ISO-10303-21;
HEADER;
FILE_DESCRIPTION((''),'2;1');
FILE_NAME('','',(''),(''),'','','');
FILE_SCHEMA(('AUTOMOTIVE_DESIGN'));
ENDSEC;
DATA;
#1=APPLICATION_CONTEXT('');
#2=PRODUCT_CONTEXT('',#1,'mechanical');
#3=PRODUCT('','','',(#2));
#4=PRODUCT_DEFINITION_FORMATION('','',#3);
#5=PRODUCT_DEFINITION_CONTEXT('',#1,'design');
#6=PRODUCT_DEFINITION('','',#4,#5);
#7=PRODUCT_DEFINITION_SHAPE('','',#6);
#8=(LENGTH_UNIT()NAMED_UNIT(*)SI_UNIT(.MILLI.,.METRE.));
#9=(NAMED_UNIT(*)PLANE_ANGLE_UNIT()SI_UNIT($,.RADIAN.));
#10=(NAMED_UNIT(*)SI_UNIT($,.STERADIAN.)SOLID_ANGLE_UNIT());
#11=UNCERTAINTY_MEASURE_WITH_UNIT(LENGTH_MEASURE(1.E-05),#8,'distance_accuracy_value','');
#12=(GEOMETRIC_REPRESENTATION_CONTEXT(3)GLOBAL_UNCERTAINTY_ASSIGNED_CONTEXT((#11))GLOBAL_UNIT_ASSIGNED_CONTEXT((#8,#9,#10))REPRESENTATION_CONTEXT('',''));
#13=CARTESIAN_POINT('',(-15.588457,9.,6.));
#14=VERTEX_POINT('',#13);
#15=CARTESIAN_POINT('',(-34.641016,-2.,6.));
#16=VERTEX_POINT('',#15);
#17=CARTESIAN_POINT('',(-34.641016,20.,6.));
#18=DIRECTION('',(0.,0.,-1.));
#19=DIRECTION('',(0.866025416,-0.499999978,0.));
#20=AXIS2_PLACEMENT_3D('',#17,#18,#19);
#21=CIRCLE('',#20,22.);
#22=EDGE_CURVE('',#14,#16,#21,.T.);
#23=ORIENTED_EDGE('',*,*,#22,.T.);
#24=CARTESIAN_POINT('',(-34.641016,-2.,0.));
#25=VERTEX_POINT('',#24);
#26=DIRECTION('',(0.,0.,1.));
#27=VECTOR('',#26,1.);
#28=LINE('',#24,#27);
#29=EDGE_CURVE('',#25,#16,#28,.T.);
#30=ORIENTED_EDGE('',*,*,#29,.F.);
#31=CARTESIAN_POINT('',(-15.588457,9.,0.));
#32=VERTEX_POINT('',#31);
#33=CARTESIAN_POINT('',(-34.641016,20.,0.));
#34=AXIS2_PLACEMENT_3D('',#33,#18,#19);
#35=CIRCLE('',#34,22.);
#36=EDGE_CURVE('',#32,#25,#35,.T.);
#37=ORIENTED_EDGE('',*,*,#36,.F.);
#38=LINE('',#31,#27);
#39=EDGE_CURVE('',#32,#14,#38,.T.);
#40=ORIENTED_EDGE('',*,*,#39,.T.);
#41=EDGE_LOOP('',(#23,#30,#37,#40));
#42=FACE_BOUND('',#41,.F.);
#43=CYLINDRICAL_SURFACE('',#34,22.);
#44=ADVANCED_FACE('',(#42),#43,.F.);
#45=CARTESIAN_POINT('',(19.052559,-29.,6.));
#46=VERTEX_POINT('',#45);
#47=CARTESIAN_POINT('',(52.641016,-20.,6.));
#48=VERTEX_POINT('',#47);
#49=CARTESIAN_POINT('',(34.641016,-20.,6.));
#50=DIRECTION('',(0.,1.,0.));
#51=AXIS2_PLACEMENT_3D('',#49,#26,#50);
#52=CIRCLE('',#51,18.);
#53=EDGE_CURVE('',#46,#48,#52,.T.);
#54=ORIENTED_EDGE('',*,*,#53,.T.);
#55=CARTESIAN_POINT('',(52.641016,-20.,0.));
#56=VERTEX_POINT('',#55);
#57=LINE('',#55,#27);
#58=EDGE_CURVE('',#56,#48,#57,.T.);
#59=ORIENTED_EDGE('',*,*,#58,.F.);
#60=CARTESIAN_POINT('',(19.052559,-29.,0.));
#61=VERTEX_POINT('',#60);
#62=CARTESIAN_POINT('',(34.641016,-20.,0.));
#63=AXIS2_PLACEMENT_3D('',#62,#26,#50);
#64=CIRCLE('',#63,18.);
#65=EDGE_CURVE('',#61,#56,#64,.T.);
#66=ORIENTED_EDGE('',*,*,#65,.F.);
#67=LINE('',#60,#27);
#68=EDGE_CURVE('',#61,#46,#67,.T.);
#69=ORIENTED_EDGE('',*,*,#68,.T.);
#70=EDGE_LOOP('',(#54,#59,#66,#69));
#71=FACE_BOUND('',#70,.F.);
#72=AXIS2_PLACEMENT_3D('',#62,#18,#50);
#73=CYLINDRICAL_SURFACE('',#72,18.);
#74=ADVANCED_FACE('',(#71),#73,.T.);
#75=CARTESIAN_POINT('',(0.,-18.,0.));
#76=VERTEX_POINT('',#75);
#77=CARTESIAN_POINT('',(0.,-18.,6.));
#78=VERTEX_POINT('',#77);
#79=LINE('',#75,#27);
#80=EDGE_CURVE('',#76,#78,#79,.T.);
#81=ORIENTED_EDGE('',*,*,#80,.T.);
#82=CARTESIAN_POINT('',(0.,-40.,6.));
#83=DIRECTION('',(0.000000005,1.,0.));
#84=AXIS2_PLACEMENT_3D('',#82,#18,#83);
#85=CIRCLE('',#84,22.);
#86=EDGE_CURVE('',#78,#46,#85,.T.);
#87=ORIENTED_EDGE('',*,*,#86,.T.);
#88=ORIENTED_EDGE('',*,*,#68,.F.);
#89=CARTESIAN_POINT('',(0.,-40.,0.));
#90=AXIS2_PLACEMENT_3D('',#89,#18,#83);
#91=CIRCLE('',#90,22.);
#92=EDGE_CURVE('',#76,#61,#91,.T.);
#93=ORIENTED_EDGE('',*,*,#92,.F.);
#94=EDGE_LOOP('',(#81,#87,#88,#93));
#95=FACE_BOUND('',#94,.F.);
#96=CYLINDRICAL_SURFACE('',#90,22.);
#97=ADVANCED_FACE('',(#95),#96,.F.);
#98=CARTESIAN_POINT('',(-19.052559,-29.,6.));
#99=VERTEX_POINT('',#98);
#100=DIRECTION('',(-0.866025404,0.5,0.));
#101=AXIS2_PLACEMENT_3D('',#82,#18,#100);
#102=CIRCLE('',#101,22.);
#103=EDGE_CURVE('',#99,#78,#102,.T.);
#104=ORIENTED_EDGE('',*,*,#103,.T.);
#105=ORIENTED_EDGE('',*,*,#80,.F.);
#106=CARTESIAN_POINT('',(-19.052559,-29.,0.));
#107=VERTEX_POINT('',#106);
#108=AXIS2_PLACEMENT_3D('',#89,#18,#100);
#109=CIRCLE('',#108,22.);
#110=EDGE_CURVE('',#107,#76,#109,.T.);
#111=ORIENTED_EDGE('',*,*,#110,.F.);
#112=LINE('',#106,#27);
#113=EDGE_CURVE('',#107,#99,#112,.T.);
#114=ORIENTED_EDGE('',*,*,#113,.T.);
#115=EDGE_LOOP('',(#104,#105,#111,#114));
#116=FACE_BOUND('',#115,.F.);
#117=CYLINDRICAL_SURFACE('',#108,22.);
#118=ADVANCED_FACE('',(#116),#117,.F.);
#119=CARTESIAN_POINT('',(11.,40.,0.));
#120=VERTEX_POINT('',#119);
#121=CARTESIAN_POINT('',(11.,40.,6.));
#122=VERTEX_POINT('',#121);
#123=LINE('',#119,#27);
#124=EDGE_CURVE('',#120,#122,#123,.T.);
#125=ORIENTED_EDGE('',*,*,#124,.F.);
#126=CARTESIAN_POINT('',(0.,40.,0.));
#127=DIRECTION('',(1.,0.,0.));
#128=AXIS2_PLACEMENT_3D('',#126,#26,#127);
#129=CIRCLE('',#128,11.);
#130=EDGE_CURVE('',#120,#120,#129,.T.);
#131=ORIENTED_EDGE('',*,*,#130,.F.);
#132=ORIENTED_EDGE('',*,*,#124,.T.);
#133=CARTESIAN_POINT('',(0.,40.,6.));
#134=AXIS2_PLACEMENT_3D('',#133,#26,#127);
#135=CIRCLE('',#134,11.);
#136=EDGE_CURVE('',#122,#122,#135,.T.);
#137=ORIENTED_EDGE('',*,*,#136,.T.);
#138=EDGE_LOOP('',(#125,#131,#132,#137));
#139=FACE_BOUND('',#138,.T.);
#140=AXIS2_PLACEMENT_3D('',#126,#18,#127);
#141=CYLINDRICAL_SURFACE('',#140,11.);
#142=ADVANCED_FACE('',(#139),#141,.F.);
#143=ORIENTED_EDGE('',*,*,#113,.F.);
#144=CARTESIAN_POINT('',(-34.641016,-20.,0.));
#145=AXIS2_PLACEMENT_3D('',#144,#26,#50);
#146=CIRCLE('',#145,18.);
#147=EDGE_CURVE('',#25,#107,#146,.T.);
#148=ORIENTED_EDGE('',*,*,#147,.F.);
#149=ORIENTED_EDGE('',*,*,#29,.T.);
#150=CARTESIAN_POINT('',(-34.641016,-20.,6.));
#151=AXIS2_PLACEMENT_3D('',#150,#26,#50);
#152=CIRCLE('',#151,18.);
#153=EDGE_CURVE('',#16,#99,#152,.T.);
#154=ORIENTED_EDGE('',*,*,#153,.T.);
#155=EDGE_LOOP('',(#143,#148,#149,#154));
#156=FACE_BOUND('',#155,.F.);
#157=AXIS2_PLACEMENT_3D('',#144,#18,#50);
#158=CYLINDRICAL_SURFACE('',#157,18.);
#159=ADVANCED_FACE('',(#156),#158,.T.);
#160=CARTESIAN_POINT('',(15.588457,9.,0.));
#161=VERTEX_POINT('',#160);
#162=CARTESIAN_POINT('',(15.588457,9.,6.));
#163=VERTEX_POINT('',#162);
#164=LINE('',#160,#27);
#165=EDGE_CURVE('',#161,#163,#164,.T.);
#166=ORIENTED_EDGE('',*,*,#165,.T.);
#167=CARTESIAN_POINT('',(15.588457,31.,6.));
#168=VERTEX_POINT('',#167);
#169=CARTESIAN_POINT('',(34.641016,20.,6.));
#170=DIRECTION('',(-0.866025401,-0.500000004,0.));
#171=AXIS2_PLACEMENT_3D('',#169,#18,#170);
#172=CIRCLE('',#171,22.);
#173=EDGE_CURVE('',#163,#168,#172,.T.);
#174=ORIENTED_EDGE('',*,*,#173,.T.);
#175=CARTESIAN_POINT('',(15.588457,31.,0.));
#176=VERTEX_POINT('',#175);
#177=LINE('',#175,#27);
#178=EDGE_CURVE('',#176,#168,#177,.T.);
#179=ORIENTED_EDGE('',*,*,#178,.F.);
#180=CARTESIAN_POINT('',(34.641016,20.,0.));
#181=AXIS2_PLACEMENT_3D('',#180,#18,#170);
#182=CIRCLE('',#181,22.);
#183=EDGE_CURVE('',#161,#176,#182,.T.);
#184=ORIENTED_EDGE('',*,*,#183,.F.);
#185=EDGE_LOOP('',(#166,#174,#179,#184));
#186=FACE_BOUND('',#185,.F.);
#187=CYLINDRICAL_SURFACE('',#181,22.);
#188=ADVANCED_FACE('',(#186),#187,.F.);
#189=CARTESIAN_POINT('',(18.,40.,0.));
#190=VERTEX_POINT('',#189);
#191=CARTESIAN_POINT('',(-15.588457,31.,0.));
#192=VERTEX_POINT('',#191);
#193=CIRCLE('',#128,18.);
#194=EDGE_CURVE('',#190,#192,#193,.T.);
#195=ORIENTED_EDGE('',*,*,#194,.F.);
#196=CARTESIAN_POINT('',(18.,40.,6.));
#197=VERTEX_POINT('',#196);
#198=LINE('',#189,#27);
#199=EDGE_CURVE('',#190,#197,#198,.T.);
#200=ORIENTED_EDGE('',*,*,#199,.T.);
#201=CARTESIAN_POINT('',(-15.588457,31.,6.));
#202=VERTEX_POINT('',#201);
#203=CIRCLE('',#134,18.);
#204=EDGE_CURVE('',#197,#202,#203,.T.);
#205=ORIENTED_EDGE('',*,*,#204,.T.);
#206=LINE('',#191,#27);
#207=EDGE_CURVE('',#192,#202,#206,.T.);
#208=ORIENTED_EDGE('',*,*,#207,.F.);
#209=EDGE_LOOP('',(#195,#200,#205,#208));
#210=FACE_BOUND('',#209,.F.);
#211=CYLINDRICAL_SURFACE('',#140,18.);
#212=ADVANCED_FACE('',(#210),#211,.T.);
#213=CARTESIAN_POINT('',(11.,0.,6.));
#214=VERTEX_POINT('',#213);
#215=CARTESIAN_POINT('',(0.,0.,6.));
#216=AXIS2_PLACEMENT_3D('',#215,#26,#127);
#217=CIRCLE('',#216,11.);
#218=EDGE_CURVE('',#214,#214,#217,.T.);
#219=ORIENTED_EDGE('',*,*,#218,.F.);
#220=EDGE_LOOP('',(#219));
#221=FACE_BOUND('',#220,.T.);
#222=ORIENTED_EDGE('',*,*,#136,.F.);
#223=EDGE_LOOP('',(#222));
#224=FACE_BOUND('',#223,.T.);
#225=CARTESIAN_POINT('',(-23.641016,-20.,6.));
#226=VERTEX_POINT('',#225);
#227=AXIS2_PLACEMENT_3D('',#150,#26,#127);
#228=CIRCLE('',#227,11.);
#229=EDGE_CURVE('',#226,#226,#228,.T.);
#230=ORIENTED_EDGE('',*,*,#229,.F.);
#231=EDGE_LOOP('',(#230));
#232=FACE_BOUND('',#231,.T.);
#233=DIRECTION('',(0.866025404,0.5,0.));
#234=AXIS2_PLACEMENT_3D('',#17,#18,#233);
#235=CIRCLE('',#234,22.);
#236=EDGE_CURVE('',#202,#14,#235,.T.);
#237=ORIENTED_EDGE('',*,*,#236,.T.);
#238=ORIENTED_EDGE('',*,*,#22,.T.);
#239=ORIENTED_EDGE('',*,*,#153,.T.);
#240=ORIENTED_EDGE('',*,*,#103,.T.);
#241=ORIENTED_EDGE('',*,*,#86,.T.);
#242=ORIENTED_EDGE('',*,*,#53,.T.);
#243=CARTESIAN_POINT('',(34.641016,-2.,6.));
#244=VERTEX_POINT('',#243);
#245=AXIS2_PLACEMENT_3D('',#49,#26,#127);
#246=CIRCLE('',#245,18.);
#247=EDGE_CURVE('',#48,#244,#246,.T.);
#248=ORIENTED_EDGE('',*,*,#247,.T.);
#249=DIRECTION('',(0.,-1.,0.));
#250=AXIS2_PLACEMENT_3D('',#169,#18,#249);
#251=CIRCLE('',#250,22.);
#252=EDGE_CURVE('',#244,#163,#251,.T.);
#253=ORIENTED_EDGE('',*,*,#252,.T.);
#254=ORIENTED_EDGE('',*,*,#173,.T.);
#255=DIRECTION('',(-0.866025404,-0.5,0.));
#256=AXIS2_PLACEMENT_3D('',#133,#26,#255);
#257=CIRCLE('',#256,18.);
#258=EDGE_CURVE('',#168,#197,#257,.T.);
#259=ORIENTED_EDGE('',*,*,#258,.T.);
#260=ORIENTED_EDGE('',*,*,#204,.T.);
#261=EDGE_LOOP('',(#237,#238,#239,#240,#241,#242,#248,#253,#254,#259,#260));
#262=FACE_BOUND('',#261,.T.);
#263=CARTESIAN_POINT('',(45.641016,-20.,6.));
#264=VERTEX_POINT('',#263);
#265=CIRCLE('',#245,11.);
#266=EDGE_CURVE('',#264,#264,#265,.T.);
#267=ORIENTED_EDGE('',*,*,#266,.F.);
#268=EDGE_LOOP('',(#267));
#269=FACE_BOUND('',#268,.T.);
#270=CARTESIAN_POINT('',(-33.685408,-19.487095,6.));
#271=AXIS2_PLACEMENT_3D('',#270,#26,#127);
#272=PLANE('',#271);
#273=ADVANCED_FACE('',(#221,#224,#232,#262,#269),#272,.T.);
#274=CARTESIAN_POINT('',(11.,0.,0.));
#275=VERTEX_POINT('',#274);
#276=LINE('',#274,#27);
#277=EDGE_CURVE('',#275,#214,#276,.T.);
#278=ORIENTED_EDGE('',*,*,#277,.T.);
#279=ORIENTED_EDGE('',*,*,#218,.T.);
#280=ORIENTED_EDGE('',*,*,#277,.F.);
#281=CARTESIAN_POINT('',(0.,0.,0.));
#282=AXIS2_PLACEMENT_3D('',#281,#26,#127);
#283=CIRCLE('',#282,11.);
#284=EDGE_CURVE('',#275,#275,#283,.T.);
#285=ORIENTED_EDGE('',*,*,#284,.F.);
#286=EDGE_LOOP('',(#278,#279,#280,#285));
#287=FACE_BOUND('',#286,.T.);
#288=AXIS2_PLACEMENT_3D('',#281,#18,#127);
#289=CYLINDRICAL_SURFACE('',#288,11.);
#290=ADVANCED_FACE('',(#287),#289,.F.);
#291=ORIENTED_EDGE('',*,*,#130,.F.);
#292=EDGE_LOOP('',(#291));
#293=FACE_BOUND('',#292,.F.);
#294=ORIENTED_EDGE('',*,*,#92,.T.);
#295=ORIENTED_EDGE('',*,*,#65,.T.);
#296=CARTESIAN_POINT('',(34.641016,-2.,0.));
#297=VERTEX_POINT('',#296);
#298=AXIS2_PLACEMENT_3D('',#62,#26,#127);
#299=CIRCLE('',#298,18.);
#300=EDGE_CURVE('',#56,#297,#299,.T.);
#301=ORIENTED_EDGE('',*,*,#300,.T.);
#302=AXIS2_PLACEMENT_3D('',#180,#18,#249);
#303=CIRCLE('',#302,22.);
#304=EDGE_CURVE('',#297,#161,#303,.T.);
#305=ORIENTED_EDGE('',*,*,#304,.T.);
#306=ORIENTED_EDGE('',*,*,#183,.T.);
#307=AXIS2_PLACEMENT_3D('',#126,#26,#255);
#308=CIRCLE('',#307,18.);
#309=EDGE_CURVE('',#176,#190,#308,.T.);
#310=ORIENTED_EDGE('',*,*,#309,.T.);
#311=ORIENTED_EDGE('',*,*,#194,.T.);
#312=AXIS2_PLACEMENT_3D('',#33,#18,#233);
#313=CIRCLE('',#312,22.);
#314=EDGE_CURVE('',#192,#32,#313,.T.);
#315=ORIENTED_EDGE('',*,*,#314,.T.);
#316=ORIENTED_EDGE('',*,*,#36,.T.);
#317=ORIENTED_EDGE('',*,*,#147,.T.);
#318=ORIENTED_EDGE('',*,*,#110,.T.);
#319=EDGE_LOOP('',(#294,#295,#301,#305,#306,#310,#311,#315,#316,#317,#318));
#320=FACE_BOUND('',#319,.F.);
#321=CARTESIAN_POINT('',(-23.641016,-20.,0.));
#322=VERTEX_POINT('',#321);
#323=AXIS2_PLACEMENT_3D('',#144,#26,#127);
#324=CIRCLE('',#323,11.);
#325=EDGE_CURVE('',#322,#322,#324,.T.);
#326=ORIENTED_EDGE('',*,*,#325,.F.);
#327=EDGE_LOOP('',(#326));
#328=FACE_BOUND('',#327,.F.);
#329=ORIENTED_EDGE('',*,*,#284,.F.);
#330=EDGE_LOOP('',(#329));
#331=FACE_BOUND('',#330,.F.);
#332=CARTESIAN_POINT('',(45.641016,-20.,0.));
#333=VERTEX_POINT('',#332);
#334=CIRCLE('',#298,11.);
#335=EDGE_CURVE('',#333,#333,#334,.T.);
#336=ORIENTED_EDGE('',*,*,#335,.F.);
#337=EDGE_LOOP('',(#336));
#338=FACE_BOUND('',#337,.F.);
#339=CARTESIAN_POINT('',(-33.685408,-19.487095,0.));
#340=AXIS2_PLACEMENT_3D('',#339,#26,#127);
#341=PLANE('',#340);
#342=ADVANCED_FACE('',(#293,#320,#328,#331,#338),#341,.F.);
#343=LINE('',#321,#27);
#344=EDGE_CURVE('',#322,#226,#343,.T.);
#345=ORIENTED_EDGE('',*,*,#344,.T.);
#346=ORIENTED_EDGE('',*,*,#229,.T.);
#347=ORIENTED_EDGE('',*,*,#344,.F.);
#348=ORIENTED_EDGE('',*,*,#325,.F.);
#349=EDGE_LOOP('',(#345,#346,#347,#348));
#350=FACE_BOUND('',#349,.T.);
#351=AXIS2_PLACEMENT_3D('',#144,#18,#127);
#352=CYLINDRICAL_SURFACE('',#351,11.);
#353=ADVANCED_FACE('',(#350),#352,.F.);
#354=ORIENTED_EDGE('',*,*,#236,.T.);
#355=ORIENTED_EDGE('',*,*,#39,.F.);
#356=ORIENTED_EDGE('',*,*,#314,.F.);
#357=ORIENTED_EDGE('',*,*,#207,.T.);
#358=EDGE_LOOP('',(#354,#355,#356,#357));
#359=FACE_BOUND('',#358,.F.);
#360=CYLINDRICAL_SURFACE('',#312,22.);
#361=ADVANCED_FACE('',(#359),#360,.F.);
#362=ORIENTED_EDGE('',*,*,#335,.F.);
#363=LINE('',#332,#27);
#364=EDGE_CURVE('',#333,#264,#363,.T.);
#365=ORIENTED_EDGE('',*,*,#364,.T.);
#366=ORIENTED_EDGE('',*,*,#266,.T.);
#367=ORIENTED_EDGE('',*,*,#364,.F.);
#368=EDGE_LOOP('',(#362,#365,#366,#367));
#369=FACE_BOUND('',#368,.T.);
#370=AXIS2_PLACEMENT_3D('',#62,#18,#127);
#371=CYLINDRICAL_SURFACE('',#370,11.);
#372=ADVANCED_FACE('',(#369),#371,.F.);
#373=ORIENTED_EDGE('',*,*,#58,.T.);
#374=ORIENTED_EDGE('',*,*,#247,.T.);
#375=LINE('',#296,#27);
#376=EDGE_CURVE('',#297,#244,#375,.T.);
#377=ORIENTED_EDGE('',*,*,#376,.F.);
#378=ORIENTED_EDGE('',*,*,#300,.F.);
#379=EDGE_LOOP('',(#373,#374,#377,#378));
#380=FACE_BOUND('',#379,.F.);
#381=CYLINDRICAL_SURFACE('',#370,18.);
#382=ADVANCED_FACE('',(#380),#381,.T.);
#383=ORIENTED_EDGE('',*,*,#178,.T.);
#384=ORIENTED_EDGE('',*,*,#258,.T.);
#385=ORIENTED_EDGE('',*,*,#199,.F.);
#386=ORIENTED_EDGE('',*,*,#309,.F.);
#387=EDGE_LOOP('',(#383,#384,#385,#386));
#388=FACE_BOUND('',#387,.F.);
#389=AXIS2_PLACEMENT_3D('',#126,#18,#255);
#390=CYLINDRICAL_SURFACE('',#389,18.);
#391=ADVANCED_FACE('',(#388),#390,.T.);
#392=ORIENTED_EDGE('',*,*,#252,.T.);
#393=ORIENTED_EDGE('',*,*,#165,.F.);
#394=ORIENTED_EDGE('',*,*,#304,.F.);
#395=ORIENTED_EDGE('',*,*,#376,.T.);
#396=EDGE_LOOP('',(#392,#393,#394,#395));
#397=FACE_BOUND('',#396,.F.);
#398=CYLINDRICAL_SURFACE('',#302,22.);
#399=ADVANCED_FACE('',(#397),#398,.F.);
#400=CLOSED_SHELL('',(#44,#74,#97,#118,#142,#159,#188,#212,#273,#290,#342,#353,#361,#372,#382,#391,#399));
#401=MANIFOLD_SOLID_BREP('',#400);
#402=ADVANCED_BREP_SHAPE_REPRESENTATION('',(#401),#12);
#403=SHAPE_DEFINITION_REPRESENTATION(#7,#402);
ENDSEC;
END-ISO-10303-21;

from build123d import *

# Parameters (mm, degrees)
F0_R     = 11
F1_DEPTH = 6


with BuildPart() as f1:
    # F0 (on Top) → F1 (new body)
    with BuildSketch(Plane.XY):
        with BuildLine():
            ThreePointArc((-16.6410161514, -20), (-21.91309409, -7.2720779386), (-34.6410161514, -2))
            ThreePointArc((-34.6410161514, -2), (-50.2294734195, -29), (-19.0525588833, -29))
            ThreePointArc((-19.0525588833, -29), (-17.2543512782, -24.6587428118), (-16.6410161514, -20))
        make_face()
        with Locations((-34.6410161514, -20)):
            Circle(F0_R, mode=Mode.SUBTRACT)
        with BuildLine():
            ThreePointArc((1.127e-07, -18), (-15.5884573786, -8.9999998087), (-15.5884569909, 9.0000004801))
            ThreePointArc((-15.5884569909, 9.0000004801), (-23.6410159113, 0.9474412553), (-34.6410161514, -2))
            ThreePointArc((-34.6410161514, -2), (-21.91309409, -7.2720779386), (-16.6410161514, -20))
            ThreePointArc((-16.6410161514, -20), (-17.2543512782, -24.6587428118), (-19.0525588833, -29))
            ThreePointArc((-19.0525588833, -29), (-10.9999999512, -20.9474410886), (1.127e-07, -18))
        make_face()
        with BuildLine():
            ThreePointArc((15.5884572681, 31), (0, 22), (-15.5884572681, 31))
            ThreePointArc((-15.5884572681, 31), (-12.6410161514, 20.0000002772), (-15.5884569909, 9.0000004801))
            ThreePointArc((-15.5884569909, 9.0000004801), (3.334e-07, 18), (15.5884573243, 8.9999999027))
            ThreePointArc((15.5884573243, 8.9999999027), (12.6410161514, 19.9999999438), (15.5884572681, 31))
        make_face()
        with BuildLine():
            ThreePointArc((15.5884572681, 31), (17.3866648732, 35.3412571882), (18, 40))
            ThreePointArc((18, 40), (-4.6587428118, 57.3866648732), (-15.5884572681, 31))
            ThreePointArc((-15.5884572681, 31), (0, 22), (15.5884572681, 31))
        make_face()
        with Locations((0, 40)):
            Circle(F0_R, mode=Mode.SUBTRACT)
        with BuildLine():
            ThreePointArc((52.6410161514, -20), (47.3689382127, -7.2720779386), (34.6410161514, -2))
            ThreePointArc((34.6410161514, -2), (19.0525588833, -11), (19.0525588833, -29))
            ThreePointArc((19.0525588833, -29), (39.2997589632, -37.3866648732), (52.6410161514, -20))
        make_face()
        with Locations((34.6410161514, -20)):
            Circle(F0_R, mode=Mode.SUBTRACT)
        with BuildLine():
            ThreePointArc((34.6410161514, -2), (23.6410162, 0.9474410887), (15.5884573243, 8.9999999027))
            ThreePointArc((15.5884573243, 8.9999999027), (17.3866648877, 4.6587427576), (18, 0))
            ThreePointArc((18, 0), (12.7279221012, -12.7279220215), (1.127e-07, -18))
            ThreePointArc((1.127e-07, -18), (11.0000000488, -20.9474411449), (19.0525588833, -29))
            ThreePointArc((19.0525588833, -29), (19.0525588833, -11), (34.6410161514, -2))
        make_face()
        with BuildLine():
            ThreePointArc((15.5884573243, 8.9999999027), (3.334e-07, 18), (-15.5884569909, 9.0000004801))
            ThreePointArc((-15.5884569909, 9.0000004801), (-15.5884573786, -8.9999998087), (1.127e-07, -18))
            ThreePointArc((1.127e-07, -18), (12.7279221012, -12.7279220215), (18, 0))
            ThreePointArc((18, 0), (17.3866648877, 4.6587427576), (15.5884573243, 8.9999999027))
        make_face()
        Circle(F0_R, mode=Mode.SUBTRACT)
    extrude(amount=F1_DEPTH)


solid = f1.part
